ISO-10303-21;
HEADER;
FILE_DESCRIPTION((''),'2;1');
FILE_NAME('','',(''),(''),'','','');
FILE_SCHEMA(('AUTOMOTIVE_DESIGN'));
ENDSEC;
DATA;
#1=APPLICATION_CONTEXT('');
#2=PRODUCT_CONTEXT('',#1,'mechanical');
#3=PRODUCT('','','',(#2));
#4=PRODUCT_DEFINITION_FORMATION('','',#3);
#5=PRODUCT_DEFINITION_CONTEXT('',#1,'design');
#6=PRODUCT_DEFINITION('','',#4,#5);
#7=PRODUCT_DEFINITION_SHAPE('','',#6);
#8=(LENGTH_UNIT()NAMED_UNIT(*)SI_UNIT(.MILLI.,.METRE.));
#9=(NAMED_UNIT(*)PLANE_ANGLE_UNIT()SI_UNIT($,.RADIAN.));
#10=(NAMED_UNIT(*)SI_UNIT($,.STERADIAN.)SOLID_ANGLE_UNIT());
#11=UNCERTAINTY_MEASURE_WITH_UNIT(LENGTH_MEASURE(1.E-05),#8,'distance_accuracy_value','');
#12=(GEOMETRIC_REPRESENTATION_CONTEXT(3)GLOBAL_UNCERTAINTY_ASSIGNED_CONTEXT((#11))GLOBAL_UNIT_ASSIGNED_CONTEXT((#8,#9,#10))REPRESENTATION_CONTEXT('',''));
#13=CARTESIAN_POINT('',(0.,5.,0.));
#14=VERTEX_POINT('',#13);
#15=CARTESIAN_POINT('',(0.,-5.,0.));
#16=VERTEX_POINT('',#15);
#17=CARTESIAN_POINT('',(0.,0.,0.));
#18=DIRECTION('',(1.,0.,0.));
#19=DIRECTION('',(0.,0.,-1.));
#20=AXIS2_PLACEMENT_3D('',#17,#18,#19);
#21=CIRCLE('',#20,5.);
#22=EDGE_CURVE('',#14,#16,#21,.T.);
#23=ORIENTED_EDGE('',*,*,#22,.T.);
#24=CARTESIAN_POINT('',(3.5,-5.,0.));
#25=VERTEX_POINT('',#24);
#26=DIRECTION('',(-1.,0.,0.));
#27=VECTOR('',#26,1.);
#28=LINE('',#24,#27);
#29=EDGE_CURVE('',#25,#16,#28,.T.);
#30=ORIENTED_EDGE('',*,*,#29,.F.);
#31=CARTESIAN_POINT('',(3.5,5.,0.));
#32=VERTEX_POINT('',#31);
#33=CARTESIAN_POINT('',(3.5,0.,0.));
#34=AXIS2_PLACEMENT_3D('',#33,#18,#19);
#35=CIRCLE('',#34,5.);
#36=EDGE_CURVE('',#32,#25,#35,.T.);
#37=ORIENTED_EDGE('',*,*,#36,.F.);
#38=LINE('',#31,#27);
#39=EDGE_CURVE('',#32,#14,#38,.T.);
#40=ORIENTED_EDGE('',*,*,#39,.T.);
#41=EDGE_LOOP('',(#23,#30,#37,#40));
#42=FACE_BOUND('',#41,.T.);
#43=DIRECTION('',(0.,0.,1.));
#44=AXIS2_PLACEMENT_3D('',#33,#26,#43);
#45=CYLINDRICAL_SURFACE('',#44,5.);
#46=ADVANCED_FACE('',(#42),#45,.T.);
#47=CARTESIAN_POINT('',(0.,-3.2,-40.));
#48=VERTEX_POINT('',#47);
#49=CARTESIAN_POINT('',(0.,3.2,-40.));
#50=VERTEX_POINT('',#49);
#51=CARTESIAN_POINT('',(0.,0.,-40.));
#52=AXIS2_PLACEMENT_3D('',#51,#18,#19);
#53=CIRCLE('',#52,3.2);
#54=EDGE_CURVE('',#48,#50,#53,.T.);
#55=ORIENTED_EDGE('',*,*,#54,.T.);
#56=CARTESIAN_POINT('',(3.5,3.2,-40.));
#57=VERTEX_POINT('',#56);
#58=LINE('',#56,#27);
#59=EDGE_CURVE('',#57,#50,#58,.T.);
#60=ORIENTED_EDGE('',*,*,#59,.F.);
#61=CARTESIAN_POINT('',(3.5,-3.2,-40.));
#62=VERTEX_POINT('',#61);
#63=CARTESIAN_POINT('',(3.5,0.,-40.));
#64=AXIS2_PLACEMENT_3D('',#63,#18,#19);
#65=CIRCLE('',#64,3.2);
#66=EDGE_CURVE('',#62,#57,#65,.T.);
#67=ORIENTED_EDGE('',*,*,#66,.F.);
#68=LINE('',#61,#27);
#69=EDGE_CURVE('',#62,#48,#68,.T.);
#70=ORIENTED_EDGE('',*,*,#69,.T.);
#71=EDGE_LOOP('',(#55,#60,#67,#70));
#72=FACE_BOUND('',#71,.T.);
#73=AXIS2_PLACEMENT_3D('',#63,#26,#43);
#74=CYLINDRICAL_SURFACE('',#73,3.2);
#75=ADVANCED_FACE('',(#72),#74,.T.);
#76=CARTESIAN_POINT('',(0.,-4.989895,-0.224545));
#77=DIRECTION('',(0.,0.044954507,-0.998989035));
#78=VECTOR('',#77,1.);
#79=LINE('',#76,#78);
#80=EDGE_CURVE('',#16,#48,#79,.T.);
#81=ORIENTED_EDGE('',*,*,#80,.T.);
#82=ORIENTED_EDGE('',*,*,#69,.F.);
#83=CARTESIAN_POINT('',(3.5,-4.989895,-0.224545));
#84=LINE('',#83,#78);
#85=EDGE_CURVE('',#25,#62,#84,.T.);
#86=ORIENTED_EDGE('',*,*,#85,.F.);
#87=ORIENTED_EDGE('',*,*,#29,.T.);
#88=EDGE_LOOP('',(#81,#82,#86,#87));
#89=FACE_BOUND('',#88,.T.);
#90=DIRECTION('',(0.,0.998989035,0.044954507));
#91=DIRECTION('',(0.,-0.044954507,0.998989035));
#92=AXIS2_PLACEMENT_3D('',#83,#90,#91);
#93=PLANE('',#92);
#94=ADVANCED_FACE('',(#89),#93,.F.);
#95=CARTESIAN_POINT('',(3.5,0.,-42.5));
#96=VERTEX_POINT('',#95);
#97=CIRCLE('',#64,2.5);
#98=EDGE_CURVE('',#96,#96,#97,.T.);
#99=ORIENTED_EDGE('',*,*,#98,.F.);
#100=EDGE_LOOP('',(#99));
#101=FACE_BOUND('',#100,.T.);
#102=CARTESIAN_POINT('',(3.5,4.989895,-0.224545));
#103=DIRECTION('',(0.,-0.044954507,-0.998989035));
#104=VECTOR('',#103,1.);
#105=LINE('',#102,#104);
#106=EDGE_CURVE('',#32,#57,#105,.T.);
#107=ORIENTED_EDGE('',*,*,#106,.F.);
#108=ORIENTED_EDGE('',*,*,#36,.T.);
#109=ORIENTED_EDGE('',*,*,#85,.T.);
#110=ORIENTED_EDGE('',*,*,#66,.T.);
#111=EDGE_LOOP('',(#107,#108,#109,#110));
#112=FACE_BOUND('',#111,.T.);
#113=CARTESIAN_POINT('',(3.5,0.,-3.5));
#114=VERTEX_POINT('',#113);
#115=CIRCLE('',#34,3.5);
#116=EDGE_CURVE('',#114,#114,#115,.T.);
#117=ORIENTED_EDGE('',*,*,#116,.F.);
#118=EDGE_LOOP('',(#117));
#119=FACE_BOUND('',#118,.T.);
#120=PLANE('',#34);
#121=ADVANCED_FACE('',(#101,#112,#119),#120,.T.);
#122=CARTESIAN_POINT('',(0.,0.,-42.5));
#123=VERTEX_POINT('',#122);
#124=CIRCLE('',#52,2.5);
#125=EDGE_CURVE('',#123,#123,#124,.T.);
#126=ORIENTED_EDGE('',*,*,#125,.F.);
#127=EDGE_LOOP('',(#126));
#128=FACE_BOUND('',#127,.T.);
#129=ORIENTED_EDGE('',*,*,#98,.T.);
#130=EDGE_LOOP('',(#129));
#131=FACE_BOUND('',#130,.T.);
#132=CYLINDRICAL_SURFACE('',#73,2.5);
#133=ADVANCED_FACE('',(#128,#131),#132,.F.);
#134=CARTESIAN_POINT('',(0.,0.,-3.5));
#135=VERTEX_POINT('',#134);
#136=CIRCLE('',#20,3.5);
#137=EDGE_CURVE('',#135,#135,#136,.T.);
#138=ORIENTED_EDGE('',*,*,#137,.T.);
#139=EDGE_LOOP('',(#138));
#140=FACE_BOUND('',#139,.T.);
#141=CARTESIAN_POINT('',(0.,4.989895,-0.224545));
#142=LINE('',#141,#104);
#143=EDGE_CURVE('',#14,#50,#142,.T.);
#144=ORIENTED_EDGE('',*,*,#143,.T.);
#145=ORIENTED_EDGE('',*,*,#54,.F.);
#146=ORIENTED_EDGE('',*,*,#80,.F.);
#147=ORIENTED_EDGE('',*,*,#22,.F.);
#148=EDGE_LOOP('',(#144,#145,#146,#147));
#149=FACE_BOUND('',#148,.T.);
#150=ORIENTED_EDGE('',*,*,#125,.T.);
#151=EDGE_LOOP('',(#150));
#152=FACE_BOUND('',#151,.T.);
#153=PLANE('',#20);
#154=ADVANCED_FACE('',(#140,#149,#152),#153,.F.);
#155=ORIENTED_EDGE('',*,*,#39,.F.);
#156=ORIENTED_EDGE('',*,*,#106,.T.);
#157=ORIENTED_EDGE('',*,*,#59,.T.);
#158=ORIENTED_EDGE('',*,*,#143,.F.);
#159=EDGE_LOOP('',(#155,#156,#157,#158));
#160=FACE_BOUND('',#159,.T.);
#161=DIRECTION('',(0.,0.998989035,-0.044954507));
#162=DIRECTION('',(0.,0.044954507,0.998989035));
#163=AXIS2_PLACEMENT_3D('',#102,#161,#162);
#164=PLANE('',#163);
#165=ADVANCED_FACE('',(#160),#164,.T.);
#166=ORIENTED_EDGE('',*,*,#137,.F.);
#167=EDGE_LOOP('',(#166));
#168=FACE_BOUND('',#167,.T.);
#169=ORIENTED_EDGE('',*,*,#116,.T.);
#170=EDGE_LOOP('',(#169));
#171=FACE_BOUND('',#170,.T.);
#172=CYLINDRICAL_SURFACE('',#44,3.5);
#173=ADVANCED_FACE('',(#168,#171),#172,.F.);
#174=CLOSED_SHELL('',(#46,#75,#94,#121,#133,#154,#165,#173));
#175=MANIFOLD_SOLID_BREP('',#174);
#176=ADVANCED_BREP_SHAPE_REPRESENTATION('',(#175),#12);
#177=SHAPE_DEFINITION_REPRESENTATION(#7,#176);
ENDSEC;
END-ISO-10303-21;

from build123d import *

# Parameters (mm, degrees)
SKETCH_3_R      = 3.5
SKETCH_3_R_2    = 2.5
EXTRUDE_2_DEPTH = 3.5


with BuildPart() as part:
    # 草图3 → 凸台-拉伸2 (new body)
    with BuildSketch(Plane(origin=(0, 0, 0), x_dir=(0, 0, -1), z_dir=(1, 0, 0))):
        with BuildLine():
            Line((0.449090592, 4.979790923), (0, 5))
            ThreePointArc((0, 5), (-5, 0), (0, -5))
            Line((0, -5), (0.449090592, -4.979790923))
            Line((0.449090592, -4.979790923), (40, -3.2))
            ThreePointArc((40, -3.2), (43.2, 0), (40, 3.2))
            Line((40, 3.2), (0.449090592, 4.979790923))
        make_face()
        Circle(SKETCH_3_R, mode=Mode.SUBTRACT)
        with Locations((40, 0)):
            Circle(SKETCH_3_R_2, mode=Mode.SUBTRACT)
    extrude(amount=EXTRUDE_2_DEPTH)


solid = part.part
